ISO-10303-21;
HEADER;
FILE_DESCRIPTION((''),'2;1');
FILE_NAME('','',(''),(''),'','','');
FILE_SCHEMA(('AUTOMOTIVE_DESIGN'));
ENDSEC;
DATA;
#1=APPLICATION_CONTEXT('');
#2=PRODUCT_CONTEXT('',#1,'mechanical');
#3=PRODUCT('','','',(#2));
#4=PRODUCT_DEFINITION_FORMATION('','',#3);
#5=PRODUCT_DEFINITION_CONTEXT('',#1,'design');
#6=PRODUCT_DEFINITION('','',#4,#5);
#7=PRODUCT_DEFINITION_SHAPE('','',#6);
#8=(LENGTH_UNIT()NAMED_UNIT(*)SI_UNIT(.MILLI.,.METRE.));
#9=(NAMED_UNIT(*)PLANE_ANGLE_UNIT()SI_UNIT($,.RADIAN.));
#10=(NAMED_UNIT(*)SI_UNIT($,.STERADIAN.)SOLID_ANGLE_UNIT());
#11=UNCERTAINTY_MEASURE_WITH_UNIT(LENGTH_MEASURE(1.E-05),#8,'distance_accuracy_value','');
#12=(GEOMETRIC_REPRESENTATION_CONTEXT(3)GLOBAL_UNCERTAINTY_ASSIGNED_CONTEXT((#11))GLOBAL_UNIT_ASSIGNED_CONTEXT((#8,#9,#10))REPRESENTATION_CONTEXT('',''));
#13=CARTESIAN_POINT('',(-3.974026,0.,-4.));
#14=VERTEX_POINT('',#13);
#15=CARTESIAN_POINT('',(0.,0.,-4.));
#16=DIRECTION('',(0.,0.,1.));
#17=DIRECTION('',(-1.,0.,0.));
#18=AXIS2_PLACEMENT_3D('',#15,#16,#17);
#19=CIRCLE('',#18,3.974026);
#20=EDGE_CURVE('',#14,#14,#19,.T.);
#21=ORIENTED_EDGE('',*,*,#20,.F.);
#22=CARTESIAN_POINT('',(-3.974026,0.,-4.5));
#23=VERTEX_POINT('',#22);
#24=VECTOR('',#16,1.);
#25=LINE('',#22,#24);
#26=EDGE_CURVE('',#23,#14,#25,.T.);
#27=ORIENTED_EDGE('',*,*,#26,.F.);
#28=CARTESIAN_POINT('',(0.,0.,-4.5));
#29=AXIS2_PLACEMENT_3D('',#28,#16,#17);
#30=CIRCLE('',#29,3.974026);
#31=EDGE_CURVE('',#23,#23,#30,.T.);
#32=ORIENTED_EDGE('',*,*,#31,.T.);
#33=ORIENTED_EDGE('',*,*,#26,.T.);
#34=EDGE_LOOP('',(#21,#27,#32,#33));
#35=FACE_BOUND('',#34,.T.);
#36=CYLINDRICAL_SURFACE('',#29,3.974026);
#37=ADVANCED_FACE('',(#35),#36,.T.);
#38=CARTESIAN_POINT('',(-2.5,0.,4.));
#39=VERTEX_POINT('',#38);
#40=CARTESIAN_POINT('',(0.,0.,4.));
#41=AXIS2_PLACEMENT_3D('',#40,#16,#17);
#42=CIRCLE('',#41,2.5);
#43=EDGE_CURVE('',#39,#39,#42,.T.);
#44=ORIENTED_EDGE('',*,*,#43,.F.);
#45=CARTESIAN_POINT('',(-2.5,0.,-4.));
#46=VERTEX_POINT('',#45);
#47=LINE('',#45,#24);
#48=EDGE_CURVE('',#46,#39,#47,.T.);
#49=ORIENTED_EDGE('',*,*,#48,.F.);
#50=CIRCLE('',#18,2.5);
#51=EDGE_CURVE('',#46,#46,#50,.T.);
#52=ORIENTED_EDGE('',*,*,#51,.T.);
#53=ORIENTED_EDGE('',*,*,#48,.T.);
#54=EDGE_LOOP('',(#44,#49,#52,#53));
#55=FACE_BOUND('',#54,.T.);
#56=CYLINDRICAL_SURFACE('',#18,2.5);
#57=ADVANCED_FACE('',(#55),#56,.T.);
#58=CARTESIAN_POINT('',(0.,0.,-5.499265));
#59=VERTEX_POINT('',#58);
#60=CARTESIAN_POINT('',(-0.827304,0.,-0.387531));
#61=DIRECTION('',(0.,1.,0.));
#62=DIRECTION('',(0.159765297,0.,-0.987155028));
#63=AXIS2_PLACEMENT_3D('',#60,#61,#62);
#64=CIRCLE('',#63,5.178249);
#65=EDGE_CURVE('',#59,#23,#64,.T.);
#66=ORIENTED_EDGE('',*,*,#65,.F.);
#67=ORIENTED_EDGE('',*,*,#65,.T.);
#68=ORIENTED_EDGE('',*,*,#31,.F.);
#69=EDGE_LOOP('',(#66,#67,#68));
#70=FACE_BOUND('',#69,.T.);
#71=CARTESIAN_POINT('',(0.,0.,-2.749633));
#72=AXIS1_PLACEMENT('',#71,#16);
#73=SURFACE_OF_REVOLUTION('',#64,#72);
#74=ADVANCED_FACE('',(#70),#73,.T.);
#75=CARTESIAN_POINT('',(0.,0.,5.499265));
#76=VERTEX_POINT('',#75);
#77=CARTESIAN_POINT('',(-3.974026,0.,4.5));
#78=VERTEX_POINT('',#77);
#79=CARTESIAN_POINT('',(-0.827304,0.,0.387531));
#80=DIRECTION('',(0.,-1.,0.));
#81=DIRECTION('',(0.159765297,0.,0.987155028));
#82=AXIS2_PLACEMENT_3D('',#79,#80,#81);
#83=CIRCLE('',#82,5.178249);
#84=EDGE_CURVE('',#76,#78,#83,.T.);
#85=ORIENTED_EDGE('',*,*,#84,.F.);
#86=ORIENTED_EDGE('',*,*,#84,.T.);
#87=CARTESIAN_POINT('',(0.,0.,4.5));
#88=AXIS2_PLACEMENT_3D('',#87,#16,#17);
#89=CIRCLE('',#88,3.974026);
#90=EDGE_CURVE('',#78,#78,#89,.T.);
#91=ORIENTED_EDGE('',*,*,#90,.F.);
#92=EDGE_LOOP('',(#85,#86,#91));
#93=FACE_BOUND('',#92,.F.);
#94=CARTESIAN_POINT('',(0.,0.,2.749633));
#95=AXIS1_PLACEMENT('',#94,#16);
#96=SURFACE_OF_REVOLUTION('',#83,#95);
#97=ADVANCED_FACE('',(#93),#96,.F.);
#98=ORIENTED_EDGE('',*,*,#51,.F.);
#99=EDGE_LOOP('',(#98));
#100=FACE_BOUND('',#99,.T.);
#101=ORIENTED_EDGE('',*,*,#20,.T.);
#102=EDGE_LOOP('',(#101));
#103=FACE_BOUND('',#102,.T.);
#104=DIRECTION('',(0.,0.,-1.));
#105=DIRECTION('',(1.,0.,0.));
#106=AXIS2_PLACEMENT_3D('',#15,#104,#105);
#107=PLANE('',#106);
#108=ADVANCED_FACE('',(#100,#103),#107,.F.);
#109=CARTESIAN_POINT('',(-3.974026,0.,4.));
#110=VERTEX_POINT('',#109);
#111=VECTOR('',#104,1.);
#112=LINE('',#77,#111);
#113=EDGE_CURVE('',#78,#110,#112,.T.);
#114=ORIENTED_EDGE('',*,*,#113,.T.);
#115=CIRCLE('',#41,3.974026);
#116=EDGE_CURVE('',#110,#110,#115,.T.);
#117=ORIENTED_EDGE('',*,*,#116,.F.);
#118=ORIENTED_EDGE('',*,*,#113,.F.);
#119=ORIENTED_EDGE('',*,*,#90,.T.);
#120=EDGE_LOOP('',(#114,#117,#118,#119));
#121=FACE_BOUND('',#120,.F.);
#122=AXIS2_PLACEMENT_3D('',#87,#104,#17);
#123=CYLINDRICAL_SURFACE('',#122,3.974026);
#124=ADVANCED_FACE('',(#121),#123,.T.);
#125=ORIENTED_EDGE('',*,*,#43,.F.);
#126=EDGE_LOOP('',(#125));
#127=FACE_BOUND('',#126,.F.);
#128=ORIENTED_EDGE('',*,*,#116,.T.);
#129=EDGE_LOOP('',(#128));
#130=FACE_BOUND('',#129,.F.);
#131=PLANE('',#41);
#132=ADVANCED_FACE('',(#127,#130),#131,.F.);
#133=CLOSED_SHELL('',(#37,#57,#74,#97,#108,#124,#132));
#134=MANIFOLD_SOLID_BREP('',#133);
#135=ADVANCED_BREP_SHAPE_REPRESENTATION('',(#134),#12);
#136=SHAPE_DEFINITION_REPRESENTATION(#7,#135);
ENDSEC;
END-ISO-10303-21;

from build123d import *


with BuildPart() as f1:
    # F0 (on Front) → F1 (revolve)
    with BuildSketch(Plane.XZ):
        with BuildLine():
            Line((-2.5, 0), (0, 0))
            Line((0, 0), (0, 5.499265))
            ThreePointArc((0, 5.499265), (-2.090062, 5.409453), (-3.974026, 4.5))
            Line((-3.974026, 4.5), (-3.974026, 4))
            Line((-3.974026, 4), (-2.5, 4))
            Line((-2.5, 4), (-2.5, 0))
        make_face()
    revolve(axis=Axis((0, 0, 2.749633), (0, 0, 1)))

    # F2: F1 across face


with BuildPart() as f1_1:
    add(f1.part)
    add(f1.part.mirror(Plane(origin=(0, 0, 0), x_dir=(1, 0, 0), z_dir=(0, 0, -1))))


solid = f1_1.part
